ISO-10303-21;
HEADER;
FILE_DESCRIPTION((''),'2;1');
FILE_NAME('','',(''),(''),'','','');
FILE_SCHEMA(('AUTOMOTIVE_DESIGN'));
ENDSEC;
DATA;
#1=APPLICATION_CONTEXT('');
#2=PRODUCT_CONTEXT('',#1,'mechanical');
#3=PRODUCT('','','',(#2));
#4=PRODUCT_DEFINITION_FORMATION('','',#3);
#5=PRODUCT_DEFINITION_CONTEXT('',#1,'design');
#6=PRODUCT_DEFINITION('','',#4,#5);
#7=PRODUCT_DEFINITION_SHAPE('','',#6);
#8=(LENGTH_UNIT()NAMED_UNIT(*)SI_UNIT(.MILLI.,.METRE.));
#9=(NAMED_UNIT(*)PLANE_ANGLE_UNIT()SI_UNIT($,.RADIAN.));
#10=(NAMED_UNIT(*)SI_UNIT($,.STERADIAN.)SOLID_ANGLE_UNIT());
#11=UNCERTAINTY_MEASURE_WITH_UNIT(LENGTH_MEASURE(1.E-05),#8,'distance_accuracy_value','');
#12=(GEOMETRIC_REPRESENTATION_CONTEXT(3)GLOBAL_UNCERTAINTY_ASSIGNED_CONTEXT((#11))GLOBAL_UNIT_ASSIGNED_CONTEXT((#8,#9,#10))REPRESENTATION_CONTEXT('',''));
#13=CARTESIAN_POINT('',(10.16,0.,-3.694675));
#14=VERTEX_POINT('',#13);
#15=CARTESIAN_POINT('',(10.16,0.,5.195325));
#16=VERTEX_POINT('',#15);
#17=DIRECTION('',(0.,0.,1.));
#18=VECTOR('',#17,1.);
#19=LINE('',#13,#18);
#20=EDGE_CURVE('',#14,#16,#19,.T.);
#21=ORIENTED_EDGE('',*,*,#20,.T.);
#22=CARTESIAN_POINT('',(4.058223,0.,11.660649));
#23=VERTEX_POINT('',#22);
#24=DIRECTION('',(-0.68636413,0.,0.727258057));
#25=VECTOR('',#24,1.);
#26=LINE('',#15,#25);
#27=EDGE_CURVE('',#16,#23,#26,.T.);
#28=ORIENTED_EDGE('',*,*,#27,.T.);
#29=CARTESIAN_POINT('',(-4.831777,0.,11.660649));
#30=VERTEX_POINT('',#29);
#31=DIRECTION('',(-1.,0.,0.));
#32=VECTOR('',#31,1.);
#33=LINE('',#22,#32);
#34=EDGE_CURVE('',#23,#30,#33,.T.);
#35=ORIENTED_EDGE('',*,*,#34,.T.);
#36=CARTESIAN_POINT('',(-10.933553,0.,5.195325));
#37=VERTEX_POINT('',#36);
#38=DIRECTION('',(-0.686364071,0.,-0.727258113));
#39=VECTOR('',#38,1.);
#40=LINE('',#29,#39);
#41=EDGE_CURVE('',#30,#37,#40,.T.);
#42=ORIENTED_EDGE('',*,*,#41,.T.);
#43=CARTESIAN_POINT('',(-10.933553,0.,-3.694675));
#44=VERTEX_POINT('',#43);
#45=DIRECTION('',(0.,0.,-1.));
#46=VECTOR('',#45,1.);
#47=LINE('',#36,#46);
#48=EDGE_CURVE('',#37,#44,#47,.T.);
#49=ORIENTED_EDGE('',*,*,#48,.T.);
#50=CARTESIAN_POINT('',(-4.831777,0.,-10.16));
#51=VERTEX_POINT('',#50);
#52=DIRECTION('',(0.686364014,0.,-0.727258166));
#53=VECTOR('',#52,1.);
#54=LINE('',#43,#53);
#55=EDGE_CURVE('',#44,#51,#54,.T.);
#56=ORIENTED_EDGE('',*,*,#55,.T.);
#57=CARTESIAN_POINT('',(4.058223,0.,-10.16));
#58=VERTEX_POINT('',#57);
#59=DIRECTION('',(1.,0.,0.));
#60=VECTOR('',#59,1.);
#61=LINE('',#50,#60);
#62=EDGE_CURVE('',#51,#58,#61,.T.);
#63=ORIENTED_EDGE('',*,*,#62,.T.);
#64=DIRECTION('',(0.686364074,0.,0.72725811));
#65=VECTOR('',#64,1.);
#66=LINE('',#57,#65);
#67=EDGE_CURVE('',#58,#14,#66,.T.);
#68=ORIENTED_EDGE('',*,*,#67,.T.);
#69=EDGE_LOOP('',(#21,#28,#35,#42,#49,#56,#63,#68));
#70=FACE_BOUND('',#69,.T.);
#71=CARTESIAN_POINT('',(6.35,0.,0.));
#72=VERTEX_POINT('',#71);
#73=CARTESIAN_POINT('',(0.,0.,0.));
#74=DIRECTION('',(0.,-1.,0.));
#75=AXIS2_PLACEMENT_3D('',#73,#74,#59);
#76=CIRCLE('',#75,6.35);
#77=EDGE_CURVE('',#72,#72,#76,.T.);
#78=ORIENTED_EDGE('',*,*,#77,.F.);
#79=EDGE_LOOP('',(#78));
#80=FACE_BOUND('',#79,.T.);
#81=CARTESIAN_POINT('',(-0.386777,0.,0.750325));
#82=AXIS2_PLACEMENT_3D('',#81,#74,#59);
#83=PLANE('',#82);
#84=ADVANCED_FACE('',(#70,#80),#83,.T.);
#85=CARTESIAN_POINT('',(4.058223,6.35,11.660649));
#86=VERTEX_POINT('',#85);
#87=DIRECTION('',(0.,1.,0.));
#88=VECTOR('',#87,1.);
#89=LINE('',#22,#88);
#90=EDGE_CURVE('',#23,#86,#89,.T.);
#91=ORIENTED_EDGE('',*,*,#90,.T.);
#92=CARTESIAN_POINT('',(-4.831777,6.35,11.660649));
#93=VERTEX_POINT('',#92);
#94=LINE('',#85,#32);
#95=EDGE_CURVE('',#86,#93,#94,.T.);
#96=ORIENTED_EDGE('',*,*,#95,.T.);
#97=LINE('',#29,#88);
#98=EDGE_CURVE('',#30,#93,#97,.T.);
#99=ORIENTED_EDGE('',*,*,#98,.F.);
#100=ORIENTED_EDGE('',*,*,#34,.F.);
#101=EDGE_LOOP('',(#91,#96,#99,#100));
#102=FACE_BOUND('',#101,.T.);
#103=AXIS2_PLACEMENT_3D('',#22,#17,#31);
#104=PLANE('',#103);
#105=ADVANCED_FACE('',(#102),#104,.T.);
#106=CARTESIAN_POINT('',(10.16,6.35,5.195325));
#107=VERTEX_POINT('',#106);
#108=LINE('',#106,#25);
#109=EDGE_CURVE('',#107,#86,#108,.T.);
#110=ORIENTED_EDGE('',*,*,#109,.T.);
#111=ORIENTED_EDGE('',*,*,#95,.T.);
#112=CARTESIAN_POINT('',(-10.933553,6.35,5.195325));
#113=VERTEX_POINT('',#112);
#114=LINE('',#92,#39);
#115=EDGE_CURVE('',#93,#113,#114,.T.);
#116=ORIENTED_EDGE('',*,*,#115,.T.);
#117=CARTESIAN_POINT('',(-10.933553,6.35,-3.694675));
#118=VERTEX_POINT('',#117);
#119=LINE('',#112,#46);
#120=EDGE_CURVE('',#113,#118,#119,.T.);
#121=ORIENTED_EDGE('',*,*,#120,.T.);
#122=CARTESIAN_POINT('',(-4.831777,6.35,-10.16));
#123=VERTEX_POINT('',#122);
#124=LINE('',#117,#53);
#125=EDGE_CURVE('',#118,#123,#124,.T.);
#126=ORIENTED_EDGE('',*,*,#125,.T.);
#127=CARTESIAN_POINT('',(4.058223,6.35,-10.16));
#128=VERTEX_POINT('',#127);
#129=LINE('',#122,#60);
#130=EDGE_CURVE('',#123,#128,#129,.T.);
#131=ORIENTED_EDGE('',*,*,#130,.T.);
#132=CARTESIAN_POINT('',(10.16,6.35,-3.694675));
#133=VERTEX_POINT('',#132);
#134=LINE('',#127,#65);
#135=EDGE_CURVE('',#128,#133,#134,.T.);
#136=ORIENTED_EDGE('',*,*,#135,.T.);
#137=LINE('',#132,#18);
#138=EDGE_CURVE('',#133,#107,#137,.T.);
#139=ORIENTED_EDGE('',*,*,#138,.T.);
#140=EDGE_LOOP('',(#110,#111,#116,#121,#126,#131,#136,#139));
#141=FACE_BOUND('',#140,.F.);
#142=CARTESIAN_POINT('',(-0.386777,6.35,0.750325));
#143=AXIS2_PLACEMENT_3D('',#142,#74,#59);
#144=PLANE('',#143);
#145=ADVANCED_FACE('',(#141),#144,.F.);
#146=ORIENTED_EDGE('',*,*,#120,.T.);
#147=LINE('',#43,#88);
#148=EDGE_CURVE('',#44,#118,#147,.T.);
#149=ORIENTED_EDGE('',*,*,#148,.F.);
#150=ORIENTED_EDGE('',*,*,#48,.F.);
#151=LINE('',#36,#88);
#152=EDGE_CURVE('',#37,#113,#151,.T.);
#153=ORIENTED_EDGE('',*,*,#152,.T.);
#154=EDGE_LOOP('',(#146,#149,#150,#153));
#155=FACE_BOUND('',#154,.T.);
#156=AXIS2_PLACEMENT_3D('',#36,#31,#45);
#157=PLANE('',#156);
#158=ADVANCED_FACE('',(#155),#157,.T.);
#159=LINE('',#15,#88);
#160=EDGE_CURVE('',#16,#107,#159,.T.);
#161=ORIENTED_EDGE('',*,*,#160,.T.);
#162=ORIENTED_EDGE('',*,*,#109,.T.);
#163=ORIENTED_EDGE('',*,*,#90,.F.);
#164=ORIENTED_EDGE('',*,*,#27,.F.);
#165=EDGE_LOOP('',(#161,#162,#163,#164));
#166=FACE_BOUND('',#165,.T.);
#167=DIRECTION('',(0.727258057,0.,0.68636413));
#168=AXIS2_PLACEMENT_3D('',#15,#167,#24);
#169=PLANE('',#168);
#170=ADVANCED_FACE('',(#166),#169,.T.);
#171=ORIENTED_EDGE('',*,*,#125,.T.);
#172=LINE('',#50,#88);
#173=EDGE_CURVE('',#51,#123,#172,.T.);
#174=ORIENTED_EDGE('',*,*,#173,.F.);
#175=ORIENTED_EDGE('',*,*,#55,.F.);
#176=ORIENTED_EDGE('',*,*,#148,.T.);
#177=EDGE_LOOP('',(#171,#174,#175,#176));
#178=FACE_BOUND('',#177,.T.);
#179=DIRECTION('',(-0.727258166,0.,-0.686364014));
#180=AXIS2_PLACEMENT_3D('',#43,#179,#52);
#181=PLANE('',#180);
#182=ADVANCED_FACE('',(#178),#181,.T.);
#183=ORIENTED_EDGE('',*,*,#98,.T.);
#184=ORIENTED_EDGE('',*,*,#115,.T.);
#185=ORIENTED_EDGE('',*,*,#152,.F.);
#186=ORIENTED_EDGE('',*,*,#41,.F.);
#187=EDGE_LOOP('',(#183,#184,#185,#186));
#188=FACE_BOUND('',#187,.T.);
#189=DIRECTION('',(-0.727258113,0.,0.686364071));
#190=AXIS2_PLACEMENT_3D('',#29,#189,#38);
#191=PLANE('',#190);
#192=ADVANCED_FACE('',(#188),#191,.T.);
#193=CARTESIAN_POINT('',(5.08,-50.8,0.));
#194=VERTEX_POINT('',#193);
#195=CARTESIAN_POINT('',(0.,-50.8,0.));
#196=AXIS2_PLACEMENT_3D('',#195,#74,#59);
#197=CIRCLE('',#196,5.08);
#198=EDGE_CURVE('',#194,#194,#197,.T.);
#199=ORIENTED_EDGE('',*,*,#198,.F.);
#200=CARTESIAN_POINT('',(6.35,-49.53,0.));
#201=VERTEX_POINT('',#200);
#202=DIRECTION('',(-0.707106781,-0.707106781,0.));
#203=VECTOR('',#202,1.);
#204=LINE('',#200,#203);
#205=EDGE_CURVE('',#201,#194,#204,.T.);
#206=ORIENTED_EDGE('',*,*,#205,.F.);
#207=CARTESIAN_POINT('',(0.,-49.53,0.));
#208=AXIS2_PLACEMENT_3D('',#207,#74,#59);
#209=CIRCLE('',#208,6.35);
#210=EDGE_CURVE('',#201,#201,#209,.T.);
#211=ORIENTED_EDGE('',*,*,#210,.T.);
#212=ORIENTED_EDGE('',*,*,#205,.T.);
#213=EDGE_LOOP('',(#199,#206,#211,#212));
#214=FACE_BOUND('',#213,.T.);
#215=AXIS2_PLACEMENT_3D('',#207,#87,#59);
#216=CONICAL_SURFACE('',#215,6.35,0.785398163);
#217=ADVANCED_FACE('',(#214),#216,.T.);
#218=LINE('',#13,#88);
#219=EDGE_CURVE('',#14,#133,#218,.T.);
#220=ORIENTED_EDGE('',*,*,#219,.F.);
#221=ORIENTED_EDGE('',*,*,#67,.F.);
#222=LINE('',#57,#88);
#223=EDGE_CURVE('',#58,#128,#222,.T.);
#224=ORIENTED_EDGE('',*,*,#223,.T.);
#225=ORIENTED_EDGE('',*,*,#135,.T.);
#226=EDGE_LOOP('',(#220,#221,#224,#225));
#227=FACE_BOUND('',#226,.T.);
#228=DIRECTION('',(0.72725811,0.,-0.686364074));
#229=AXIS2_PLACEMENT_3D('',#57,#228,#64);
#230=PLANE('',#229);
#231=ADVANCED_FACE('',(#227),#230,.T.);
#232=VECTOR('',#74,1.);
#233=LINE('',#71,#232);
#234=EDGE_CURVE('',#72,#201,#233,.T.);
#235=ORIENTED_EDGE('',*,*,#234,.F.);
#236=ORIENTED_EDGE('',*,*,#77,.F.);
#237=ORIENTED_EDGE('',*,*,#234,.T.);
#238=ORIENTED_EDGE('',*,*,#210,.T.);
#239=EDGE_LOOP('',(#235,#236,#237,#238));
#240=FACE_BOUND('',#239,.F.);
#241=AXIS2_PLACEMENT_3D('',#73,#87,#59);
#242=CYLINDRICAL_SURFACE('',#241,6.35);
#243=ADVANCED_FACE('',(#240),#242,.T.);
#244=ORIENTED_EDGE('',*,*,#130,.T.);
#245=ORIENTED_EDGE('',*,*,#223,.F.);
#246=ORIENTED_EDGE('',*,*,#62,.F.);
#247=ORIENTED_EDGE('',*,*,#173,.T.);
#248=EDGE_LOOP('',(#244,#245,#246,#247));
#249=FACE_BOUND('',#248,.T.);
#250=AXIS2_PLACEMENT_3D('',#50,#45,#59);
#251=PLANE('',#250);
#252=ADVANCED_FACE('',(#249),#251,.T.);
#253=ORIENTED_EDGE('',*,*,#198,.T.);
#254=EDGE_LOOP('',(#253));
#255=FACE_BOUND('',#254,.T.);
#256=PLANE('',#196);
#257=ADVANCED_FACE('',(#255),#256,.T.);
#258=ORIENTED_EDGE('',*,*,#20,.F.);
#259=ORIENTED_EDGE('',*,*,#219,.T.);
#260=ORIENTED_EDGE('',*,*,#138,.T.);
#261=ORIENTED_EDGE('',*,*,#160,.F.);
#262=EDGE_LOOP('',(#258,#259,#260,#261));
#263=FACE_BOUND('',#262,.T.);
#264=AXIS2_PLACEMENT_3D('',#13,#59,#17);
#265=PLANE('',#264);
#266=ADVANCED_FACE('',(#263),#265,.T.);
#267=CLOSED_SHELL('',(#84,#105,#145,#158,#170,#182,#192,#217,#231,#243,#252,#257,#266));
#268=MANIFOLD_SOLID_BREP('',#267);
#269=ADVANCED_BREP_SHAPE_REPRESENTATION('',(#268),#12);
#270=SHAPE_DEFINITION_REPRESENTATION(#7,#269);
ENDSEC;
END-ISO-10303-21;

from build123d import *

# Parameters (mm, degrees)
F0_R     = 6.35
F1_DEPTH = 50.8
F3_DEPTH = 6.35
F4_SIZE  = 1.27


with BuildPart() as f1:
    # F0 (on Front) → F1 (new body)
    with BuildSketch(Plane.XZ):
        Circle(F0_R)
    extrude(amount=F1_DEPTH)

    # F2 (on Front) → F3 (join)
    with BuildSketch(Plane.XZ):
        Polygon((-10.933553, -3.694675), (-4.831777, -10.16), (4.058223, -10.16), (10.16, -3.694675), (10.16, 5.195325), (4.058223, 11.660649), (-4.831777, 11.660649), (-10.933553, 5.195325), align=None)
    extrude(amount=-F3_DEPTH)

    # F4
    f4_edges = [f1.edges().sort_by_distance(p)[0] for p in [
        (-6.35, -50.8, 0),
    ]]
    chamfer(f4_edges, length=F4_SIZE)


solid = f1.part
